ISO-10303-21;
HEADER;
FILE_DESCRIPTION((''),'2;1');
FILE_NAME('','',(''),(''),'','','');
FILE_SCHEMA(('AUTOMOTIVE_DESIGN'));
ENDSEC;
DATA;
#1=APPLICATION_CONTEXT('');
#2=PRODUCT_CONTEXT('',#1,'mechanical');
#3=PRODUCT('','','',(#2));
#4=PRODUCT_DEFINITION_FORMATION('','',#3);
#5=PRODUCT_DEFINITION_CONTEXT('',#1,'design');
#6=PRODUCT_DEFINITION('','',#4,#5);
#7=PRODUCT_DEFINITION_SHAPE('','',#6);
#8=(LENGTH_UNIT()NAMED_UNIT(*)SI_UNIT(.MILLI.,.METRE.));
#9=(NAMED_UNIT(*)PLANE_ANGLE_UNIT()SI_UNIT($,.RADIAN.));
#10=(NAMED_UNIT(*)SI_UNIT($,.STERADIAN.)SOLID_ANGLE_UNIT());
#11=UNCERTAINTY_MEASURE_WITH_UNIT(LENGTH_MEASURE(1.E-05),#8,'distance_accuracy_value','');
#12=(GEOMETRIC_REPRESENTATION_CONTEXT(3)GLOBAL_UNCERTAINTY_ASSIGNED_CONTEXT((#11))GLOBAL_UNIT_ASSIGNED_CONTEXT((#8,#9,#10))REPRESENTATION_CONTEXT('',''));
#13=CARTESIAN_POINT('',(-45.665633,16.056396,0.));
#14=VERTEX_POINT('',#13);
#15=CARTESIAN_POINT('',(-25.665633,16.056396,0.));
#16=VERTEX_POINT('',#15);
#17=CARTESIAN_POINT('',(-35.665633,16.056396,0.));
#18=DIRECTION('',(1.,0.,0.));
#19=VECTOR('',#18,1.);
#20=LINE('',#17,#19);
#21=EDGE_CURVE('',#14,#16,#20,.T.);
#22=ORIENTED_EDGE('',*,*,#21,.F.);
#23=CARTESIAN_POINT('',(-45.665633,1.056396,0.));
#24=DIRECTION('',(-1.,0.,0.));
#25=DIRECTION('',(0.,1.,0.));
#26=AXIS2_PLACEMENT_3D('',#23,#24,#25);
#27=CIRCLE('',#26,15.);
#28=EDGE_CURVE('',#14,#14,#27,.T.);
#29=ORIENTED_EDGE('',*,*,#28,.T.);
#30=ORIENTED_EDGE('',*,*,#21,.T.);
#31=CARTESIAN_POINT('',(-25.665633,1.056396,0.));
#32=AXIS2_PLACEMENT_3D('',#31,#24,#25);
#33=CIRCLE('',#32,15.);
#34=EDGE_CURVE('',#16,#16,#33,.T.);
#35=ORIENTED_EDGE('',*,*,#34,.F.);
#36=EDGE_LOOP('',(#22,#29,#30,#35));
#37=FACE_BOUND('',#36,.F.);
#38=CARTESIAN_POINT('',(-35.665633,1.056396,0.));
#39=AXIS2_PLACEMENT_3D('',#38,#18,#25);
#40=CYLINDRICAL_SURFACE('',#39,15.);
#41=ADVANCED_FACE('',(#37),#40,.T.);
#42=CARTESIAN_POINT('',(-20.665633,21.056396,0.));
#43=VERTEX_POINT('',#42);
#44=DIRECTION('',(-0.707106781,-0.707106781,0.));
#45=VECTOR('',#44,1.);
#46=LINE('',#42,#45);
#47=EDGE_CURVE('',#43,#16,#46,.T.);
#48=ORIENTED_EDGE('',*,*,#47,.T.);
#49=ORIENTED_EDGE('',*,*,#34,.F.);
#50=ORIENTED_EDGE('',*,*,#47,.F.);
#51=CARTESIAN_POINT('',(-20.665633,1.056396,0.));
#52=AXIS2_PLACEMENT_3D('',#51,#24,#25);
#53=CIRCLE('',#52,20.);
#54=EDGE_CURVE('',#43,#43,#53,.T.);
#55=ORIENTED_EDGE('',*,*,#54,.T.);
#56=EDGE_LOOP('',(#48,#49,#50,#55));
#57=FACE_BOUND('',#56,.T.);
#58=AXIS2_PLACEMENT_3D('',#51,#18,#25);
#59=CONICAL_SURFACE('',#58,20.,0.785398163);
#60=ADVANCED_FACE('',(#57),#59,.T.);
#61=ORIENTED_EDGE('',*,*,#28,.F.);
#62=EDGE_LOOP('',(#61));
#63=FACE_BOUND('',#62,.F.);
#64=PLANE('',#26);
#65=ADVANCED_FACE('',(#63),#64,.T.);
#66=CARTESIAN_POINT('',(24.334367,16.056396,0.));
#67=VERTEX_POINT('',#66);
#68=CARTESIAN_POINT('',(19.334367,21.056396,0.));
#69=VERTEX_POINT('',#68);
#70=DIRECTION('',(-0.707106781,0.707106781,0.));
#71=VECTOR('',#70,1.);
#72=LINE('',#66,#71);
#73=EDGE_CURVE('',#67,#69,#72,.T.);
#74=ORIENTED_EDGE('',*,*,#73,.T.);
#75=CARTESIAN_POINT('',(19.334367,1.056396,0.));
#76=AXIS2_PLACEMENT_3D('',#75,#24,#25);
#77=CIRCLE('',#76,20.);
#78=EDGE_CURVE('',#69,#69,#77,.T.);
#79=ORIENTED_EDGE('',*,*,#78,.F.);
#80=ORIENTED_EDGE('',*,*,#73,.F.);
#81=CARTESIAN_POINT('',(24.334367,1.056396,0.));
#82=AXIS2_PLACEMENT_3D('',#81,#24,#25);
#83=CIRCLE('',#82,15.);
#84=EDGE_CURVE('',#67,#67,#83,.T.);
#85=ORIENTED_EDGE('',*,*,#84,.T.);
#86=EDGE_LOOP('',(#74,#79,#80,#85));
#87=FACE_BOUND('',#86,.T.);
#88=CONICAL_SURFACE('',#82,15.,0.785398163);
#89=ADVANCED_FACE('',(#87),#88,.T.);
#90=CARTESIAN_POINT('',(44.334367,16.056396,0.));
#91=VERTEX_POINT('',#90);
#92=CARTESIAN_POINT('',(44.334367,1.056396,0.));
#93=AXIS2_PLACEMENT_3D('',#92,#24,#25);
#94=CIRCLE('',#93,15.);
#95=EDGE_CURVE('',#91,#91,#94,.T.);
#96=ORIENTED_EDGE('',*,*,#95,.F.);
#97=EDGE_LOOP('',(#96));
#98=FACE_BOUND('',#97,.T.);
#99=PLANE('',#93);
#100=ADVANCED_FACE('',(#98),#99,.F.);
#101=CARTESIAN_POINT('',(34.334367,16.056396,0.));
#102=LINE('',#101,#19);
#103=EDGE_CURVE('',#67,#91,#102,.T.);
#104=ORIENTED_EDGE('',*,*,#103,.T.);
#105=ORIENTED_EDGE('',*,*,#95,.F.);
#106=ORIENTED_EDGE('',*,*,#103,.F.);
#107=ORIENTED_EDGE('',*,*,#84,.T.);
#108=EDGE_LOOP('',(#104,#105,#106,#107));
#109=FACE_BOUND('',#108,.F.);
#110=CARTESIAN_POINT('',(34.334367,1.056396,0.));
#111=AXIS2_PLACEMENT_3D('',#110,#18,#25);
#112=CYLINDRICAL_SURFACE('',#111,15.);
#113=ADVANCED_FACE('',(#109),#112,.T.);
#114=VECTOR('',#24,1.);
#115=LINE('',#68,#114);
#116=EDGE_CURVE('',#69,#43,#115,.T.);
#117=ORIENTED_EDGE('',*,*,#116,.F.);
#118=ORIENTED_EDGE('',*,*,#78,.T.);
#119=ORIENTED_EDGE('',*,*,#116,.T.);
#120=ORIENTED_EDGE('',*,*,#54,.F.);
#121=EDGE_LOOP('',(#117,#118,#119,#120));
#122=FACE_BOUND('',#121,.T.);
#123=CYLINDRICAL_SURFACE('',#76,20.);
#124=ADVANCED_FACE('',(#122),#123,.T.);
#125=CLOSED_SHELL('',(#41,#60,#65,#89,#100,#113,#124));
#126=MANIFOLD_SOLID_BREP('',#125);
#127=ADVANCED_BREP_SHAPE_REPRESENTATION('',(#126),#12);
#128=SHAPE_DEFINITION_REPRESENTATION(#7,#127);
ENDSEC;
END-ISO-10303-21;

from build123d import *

# Parameters (mm, degrees)
F0_W = 20
F0_H = 15


with BuildPart() as f1:
    # F0 (on Top) → F1 (revolve)
    with BuildSketch(Plane.XY):
        Polygon((-20.665633, 21.056396), (-25.665633, 16.056396), (-20.665633, 16.056396), align=None)
        Polygon((14.334367, 16.056396), (19.334367, 16.056396), (19.334367, 21.056396), (-20.665633, 21.056396), (-20.665633, 16.056396), (-15.665633, 16.056396), align=None)
        Polygon((19.334367, 16.056396), (24.334367, 16.056396), (19.334367, 21.056396), align=None)
        Polygon((-25.665633, 1.056396), (24.334367, 1.056396), (24.334367, 16.056396), (19.334367, 16.056396), (14.334367, 16.056396), (-15.665633, 16.056396), (-20.665633, 16.056396), (-25.665633, 16.056396), align=None)
        with Locations((-35.665633, 8.556396)):
            Rectangle(F0_W, F0_H)
        with Locations((34.334367, 8.556396)):
            Rectangle(F0_W, F0_H)
    revolve(axis=Axis((-0.665633, 1.056396, 0), (-1, 0, 0)))


solid = f1.part
